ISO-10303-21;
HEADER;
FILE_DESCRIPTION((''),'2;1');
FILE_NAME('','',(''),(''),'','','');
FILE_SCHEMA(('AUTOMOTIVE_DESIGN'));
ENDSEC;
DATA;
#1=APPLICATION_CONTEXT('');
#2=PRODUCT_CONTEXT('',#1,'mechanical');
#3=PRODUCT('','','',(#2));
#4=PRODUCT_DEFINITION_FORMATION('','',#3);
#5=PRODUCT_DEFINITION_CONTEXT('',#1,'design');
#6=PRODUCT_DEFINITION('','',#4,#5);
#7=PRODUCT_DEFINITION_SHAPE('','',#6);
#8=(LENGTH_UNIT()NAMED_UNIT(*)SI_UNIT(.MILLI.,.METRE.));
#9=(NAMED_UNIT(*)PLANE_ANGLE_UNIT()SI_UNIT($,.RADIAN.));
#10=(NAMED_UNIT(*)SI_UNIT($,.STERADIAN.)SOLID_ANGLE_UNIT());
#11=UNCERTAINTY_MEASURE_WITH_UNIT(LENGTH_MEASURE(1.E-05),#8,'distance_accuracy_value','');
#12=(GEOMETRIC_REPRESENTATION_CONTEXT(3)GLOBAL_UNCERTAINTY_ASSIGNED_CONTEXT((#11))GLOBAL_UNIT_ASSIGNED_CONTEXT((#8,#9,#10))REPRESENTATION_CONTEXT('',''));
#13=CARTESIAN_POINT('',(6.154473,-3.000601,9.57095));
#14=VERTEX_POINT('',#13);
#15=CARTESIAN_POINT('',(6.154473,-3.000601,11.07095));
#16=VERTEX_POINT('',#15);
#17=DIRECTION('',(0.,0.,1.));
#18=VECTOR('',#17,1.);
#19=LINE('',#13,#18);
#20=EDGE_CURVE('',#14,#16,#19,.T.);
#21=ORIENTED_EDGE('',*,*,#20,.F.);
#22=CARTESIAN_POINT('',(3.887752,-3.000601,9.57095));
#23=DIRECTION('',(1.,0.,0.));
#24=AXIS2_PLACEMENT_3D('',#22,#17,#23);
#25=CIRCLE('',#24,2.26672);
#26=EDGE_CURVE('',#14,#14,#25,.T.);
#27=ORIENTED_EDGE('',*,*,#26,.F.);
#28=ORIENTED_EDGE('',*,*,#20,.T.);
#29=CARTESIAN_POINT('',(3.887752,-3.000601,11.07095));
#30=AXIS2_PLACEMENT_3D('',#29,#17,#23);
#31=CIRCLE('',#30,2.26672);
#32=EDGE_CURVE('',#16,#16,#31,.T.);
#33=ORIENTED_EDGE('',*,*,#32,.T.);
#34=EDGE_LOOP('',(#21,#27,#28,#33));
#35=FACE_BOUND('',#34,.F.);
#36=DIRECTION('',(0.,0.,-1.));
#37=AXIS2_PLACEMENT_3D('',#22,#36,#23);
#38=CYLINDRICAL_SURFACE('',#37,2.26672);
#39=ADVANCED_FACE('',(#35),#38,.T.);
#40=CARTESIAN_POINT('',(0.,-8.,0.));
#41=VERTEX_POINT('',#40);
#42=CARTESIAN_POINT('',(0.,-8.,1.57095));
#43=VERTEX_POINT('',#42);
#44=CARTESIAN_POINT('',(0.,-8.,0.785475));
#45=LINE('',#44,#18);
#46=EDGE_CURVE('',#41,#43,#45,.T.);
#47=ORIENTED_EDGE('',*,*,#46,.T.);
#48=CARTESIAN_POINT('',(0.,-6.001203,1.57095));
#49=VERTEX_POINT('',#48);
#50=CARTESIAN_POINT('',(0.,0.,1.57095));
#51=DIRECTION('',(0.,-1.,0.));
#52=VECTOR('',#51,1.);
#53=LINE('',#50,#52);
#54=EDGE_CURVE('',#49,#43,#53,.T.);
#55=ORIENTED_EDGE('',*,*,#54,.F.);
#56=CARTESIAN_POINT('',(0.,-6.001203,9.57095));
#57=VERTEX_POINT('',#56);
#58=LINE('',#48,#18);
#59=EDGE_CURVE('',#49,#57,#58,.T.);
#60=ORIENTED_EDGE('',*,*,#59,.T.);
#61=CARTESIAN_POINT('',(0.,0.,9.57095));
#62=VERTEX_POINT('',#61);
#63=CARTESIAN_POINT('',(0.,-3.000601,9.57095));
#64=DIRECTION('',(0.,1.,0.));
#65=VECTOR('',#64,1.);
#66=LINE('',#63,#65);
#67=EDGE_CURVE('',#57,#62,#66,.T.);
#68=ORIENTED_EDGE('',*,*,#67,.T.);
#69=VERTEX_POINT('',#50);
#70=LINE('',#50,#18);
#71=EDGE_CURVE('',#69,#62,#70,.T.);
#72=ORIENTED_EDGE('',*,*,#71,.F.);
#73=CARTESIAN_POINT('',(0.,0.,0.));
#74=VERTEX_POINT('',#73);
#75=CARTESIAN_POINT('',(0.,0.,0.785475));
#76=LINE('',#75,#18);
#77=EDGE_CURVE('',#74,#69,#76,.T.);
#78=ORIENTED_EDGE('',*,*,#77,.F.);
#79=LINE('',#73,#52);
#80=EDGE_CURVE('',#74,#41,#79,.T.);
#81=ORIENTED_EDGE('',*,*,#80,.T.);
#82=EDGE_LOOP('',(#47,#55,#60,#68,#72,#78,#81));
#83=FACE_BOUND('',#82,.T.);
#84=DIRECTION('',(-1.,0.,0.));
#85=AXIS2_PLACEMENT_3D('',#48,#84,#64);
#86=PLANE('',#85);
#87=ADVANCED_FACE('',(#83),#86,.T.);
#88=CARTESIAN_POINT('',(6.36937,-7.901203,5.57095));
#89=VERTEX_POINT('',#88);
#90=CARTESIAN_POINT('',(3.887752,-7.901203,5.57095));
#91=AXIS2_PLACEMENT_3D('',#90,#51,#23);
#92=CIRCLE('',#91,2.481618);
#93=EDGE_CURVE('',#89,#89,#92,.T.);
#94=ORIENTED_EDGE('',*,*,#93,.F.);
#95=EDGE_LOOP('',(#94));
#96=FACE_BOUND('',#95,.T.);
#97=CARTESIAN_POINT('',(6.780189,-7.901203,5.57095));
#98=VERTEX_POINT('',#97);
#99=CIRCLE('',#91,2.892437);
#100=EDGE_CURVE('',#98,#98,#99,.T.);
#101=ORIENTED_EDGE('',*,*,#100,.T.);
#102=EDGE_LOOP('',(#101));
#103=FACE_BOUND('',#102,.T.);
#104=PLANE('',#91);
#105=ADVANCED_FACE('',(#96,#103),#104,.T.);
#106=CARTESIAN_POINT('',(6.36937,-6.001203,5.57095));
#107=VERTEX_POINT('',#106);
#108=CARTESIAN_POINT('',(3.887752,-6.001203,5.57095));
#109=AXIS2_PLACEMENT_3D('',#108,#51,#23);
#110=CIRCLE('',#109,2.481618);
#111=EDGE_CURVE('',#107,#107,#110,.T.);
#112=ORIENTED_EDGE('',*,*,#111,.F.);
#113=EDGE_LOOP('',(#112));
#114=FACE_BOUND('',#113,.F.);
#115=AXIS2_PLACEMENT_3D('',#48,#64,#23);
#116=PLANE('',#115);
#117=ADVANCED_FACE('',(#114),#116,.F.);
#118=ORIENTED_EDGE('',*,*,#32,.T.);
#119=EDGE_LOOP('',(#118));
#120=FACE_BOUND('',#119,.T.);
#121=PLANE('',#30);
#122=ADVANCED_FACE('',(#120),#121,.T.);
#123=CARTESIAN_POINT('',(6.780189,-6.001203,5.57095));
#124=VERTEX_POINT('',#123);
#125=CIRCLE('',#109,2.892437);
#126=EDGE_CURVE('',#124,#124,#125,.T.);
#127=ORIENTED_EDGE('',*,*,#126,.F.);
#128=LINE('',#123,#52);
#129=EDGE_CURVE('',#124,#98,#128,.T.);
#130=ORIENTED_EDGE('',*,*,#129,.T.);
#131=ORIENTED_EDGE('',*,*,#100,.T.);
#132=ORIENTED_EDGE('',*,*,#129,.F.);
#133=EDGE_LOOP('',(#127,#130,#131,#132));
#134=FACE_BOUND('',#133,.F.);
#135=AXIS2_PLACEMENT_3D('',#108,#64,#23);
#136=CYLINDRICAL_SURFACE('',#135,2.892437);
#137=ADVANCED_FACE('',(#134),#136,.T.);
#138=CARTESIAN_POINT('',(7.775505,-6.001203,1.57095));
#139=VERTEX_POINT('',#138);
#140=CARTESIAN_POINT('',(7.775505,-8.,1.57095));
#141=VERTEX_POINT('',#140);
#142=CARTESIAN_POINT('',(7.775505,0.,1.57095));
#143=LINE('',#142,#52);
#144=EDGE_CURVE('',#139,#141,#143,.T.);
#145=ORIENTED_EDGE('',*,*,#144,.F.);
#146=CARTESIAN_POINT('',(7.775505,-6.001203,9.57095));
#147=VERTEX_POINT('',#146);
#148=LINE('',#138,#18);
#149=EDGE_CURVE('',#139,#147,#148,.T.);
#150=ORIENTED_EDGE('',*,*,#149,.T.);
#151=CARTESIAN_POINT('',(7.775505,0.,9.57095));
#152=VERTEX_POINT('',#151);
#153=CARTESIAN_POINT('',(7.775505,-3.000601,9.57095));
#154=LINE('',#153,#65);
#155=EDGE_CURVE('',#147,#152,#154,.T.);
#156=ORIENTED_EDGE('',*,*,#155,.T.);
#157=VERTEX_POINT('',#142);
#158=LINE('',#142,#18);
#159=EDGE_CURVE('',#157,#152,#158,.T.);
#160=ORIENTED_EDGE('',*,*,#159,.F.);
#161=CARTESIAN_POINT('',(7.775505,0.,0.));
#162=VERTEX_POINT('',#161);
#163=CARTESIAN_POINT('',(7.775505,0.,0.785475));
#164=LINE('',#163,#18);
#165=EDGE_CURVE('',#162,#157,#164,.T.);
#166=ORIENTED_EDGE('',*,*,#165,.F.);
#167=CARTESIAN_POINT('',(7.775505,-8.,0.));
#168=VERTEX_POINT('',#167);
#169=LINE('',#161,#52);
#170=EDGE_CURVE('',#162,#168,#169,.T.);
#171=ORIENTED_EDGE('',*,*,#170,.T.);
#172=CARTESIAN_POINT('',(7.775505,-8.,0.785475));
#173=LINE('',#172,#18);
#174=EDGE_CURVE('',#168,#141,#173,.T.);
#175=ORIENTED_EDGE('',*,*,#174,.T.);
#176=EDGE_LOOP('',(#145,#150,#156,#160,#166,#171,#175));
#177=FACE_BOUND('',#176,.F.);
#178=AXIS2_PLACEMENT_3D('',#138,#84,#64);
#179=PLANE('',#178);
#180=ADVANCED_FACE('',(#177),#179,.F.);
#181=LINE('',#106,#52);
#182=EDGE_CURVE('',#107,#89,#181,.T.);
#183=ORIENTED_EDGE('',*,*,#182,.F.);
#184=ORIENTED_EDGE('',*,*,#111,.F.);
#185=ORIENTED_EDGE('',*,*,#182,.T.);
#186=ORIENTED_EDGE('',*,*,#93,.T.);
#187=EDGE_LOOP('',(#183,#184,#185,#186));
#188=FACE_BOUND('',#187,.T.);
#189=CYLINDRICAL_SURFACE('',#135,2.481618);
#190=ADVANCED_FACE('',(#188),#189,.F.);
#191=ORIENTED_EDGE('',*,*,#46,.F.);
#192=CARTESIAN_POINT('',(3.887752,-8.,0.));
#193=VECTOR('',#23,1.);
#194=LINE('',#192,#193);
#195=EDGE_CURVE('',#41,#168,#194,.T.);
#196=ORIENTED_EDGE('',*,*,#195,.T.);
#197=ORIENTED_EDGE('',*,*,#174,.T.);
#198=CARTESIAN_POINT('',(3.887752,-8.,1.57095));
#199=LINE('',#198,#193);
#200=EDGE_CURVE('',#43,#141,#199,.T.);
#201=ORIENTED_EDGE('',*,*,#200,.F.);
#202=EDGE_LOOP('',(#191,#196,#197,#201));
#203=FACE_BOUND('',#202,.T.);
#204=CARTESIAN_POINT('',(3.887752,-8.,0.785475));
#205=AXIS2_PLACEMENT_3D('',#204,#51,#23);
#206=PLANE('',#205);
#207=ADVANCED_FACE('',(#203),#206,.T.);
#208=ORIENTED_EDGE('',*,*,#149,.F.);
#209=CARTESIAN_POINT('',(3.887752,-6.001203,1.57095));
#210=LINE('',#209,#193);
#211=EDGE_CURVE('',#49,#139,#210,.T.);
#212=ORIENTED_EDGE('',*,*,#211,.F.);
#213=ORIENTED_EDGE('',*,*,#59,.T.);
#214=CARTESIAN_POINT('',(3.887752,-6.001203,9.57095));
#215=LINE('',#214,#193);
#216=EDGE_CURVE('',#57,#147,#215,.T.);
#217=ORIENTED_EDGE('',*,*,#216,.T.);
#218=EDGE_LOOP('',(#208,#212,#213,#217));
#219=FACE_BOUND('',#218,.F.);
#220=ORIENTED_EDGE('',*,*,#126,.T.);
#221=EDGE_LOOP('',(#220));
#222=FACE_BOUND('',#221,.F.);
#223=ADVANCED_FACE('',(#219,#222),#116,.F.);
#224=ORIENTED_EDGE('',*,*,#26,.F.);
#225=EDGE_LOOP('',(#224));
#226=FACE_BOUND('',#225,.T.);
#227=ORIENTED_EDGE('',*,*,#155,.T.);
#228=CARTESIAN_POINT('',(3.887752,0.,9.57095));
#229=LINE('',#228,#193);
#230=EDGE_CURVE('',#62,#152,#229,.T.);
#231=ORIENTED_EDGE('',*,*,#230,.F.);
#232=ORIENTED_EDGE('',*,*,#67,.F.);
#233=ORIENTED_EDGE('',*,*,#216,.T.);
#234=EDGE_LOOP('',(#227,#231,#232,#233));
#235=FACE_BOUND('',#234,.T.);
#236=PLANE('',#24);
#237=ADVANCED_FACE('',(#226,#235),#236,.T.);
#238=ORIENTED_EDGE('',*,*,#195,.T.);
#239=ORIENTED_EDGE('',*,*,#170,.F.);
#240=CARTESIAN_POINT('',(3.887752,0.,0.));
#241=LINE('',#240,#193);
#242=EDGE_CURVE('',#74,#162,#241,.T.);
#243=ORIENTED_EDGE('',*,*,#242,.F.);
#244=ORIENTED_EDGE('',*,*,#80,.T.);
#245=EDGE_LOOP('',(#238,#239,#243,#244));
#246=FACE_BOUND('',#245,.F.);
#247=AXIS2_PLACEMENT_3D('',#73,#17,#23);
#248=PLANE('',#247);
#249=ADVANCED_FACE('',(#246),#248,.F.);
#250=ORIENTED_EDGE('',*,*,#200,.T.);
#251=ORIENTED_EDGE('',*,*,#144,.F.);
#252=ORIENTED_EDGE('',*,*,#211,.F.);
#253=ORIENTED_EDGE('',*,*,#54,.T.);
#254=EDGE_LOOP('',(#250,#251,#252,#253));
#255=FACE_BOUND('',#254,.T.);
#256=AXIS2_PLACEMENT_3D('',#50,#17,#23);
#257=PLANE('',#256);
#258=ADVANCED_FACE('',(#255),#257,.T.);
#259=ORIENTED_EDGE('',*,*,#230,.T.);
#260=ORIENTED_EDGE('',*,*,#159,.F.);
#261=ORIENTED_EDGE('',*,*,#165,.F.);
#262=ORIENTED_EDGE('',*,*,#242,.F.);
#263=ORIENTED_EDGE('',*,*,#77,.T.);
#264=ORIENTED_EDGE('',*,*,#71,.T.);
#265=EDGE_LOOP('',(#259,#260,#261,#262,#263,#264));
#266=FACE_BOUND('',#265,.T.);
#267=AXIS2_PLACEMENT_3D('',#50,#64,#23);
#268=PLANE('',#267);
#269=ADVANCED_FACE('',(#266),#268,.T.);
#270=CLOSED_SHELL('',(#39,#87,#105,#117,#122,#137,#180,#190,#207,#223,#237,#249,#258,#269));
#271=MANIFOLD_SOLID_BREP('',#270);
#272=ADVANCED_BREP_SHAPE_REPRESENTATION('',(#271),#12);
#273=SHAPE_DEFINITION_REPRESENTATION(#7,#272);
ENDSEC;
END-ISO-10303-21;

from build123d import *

# Parameters (mm, degrees)
F0_W     = 7.7755046077
F0_H     = 1.5709503787
F1_DEPTH = 8
F2_W     = 7.7755046077
F2_H     = 6.0012028553
F3_DEPTH = 8
F4_R     = 2.8924366319
F4_R_2   = 2.4816180031
F5_DEPTH = 1.9
F6_R     = 2.2667202486
F7_DEPTH = 1.5


with BuildPart() as f1:
    # F0 (on Front) → F1 (new body)
    with BuildSketch(Plane.XZ):
        with Locations((3.8877523039, 0.7854751893)):
            Rectangle(F0_W, F0_H)
    extrude(amount=F1_DEPTH)

    # F2 (on face) → F3 (join)
    with BuildSketch(Plane.XY.offset(1.5709503787)):
        with Locations((3.8877523039, -3.0006014276)):
            Rectangle(F2_W, F2_H)
    extrude(amount=F3_DEPTH)

    # F4 (on face) → F5 (join)
    with BuildSketch(Plane.XZ.offset(6.0012028553)):
        with Locations((3.8877523039, 5.5709503787)):
            Circle(F4_R)
        with Locations((3.8877523039, 5.5709503787)):
            Circle(F4_R_2, mode=Mode.SUBTRACT)
    extrude(amount=F5_DEPTH)

    # F6 (on face) → F7 (join)
    with BuildSketch(Plane.XY.offset(9.5709503787)):
        with Locations((3.8877523039, -3.0006014276)):
            Circle(F6_R)
    extrude(amount=F7_DEPTH)


solid = f1.part
